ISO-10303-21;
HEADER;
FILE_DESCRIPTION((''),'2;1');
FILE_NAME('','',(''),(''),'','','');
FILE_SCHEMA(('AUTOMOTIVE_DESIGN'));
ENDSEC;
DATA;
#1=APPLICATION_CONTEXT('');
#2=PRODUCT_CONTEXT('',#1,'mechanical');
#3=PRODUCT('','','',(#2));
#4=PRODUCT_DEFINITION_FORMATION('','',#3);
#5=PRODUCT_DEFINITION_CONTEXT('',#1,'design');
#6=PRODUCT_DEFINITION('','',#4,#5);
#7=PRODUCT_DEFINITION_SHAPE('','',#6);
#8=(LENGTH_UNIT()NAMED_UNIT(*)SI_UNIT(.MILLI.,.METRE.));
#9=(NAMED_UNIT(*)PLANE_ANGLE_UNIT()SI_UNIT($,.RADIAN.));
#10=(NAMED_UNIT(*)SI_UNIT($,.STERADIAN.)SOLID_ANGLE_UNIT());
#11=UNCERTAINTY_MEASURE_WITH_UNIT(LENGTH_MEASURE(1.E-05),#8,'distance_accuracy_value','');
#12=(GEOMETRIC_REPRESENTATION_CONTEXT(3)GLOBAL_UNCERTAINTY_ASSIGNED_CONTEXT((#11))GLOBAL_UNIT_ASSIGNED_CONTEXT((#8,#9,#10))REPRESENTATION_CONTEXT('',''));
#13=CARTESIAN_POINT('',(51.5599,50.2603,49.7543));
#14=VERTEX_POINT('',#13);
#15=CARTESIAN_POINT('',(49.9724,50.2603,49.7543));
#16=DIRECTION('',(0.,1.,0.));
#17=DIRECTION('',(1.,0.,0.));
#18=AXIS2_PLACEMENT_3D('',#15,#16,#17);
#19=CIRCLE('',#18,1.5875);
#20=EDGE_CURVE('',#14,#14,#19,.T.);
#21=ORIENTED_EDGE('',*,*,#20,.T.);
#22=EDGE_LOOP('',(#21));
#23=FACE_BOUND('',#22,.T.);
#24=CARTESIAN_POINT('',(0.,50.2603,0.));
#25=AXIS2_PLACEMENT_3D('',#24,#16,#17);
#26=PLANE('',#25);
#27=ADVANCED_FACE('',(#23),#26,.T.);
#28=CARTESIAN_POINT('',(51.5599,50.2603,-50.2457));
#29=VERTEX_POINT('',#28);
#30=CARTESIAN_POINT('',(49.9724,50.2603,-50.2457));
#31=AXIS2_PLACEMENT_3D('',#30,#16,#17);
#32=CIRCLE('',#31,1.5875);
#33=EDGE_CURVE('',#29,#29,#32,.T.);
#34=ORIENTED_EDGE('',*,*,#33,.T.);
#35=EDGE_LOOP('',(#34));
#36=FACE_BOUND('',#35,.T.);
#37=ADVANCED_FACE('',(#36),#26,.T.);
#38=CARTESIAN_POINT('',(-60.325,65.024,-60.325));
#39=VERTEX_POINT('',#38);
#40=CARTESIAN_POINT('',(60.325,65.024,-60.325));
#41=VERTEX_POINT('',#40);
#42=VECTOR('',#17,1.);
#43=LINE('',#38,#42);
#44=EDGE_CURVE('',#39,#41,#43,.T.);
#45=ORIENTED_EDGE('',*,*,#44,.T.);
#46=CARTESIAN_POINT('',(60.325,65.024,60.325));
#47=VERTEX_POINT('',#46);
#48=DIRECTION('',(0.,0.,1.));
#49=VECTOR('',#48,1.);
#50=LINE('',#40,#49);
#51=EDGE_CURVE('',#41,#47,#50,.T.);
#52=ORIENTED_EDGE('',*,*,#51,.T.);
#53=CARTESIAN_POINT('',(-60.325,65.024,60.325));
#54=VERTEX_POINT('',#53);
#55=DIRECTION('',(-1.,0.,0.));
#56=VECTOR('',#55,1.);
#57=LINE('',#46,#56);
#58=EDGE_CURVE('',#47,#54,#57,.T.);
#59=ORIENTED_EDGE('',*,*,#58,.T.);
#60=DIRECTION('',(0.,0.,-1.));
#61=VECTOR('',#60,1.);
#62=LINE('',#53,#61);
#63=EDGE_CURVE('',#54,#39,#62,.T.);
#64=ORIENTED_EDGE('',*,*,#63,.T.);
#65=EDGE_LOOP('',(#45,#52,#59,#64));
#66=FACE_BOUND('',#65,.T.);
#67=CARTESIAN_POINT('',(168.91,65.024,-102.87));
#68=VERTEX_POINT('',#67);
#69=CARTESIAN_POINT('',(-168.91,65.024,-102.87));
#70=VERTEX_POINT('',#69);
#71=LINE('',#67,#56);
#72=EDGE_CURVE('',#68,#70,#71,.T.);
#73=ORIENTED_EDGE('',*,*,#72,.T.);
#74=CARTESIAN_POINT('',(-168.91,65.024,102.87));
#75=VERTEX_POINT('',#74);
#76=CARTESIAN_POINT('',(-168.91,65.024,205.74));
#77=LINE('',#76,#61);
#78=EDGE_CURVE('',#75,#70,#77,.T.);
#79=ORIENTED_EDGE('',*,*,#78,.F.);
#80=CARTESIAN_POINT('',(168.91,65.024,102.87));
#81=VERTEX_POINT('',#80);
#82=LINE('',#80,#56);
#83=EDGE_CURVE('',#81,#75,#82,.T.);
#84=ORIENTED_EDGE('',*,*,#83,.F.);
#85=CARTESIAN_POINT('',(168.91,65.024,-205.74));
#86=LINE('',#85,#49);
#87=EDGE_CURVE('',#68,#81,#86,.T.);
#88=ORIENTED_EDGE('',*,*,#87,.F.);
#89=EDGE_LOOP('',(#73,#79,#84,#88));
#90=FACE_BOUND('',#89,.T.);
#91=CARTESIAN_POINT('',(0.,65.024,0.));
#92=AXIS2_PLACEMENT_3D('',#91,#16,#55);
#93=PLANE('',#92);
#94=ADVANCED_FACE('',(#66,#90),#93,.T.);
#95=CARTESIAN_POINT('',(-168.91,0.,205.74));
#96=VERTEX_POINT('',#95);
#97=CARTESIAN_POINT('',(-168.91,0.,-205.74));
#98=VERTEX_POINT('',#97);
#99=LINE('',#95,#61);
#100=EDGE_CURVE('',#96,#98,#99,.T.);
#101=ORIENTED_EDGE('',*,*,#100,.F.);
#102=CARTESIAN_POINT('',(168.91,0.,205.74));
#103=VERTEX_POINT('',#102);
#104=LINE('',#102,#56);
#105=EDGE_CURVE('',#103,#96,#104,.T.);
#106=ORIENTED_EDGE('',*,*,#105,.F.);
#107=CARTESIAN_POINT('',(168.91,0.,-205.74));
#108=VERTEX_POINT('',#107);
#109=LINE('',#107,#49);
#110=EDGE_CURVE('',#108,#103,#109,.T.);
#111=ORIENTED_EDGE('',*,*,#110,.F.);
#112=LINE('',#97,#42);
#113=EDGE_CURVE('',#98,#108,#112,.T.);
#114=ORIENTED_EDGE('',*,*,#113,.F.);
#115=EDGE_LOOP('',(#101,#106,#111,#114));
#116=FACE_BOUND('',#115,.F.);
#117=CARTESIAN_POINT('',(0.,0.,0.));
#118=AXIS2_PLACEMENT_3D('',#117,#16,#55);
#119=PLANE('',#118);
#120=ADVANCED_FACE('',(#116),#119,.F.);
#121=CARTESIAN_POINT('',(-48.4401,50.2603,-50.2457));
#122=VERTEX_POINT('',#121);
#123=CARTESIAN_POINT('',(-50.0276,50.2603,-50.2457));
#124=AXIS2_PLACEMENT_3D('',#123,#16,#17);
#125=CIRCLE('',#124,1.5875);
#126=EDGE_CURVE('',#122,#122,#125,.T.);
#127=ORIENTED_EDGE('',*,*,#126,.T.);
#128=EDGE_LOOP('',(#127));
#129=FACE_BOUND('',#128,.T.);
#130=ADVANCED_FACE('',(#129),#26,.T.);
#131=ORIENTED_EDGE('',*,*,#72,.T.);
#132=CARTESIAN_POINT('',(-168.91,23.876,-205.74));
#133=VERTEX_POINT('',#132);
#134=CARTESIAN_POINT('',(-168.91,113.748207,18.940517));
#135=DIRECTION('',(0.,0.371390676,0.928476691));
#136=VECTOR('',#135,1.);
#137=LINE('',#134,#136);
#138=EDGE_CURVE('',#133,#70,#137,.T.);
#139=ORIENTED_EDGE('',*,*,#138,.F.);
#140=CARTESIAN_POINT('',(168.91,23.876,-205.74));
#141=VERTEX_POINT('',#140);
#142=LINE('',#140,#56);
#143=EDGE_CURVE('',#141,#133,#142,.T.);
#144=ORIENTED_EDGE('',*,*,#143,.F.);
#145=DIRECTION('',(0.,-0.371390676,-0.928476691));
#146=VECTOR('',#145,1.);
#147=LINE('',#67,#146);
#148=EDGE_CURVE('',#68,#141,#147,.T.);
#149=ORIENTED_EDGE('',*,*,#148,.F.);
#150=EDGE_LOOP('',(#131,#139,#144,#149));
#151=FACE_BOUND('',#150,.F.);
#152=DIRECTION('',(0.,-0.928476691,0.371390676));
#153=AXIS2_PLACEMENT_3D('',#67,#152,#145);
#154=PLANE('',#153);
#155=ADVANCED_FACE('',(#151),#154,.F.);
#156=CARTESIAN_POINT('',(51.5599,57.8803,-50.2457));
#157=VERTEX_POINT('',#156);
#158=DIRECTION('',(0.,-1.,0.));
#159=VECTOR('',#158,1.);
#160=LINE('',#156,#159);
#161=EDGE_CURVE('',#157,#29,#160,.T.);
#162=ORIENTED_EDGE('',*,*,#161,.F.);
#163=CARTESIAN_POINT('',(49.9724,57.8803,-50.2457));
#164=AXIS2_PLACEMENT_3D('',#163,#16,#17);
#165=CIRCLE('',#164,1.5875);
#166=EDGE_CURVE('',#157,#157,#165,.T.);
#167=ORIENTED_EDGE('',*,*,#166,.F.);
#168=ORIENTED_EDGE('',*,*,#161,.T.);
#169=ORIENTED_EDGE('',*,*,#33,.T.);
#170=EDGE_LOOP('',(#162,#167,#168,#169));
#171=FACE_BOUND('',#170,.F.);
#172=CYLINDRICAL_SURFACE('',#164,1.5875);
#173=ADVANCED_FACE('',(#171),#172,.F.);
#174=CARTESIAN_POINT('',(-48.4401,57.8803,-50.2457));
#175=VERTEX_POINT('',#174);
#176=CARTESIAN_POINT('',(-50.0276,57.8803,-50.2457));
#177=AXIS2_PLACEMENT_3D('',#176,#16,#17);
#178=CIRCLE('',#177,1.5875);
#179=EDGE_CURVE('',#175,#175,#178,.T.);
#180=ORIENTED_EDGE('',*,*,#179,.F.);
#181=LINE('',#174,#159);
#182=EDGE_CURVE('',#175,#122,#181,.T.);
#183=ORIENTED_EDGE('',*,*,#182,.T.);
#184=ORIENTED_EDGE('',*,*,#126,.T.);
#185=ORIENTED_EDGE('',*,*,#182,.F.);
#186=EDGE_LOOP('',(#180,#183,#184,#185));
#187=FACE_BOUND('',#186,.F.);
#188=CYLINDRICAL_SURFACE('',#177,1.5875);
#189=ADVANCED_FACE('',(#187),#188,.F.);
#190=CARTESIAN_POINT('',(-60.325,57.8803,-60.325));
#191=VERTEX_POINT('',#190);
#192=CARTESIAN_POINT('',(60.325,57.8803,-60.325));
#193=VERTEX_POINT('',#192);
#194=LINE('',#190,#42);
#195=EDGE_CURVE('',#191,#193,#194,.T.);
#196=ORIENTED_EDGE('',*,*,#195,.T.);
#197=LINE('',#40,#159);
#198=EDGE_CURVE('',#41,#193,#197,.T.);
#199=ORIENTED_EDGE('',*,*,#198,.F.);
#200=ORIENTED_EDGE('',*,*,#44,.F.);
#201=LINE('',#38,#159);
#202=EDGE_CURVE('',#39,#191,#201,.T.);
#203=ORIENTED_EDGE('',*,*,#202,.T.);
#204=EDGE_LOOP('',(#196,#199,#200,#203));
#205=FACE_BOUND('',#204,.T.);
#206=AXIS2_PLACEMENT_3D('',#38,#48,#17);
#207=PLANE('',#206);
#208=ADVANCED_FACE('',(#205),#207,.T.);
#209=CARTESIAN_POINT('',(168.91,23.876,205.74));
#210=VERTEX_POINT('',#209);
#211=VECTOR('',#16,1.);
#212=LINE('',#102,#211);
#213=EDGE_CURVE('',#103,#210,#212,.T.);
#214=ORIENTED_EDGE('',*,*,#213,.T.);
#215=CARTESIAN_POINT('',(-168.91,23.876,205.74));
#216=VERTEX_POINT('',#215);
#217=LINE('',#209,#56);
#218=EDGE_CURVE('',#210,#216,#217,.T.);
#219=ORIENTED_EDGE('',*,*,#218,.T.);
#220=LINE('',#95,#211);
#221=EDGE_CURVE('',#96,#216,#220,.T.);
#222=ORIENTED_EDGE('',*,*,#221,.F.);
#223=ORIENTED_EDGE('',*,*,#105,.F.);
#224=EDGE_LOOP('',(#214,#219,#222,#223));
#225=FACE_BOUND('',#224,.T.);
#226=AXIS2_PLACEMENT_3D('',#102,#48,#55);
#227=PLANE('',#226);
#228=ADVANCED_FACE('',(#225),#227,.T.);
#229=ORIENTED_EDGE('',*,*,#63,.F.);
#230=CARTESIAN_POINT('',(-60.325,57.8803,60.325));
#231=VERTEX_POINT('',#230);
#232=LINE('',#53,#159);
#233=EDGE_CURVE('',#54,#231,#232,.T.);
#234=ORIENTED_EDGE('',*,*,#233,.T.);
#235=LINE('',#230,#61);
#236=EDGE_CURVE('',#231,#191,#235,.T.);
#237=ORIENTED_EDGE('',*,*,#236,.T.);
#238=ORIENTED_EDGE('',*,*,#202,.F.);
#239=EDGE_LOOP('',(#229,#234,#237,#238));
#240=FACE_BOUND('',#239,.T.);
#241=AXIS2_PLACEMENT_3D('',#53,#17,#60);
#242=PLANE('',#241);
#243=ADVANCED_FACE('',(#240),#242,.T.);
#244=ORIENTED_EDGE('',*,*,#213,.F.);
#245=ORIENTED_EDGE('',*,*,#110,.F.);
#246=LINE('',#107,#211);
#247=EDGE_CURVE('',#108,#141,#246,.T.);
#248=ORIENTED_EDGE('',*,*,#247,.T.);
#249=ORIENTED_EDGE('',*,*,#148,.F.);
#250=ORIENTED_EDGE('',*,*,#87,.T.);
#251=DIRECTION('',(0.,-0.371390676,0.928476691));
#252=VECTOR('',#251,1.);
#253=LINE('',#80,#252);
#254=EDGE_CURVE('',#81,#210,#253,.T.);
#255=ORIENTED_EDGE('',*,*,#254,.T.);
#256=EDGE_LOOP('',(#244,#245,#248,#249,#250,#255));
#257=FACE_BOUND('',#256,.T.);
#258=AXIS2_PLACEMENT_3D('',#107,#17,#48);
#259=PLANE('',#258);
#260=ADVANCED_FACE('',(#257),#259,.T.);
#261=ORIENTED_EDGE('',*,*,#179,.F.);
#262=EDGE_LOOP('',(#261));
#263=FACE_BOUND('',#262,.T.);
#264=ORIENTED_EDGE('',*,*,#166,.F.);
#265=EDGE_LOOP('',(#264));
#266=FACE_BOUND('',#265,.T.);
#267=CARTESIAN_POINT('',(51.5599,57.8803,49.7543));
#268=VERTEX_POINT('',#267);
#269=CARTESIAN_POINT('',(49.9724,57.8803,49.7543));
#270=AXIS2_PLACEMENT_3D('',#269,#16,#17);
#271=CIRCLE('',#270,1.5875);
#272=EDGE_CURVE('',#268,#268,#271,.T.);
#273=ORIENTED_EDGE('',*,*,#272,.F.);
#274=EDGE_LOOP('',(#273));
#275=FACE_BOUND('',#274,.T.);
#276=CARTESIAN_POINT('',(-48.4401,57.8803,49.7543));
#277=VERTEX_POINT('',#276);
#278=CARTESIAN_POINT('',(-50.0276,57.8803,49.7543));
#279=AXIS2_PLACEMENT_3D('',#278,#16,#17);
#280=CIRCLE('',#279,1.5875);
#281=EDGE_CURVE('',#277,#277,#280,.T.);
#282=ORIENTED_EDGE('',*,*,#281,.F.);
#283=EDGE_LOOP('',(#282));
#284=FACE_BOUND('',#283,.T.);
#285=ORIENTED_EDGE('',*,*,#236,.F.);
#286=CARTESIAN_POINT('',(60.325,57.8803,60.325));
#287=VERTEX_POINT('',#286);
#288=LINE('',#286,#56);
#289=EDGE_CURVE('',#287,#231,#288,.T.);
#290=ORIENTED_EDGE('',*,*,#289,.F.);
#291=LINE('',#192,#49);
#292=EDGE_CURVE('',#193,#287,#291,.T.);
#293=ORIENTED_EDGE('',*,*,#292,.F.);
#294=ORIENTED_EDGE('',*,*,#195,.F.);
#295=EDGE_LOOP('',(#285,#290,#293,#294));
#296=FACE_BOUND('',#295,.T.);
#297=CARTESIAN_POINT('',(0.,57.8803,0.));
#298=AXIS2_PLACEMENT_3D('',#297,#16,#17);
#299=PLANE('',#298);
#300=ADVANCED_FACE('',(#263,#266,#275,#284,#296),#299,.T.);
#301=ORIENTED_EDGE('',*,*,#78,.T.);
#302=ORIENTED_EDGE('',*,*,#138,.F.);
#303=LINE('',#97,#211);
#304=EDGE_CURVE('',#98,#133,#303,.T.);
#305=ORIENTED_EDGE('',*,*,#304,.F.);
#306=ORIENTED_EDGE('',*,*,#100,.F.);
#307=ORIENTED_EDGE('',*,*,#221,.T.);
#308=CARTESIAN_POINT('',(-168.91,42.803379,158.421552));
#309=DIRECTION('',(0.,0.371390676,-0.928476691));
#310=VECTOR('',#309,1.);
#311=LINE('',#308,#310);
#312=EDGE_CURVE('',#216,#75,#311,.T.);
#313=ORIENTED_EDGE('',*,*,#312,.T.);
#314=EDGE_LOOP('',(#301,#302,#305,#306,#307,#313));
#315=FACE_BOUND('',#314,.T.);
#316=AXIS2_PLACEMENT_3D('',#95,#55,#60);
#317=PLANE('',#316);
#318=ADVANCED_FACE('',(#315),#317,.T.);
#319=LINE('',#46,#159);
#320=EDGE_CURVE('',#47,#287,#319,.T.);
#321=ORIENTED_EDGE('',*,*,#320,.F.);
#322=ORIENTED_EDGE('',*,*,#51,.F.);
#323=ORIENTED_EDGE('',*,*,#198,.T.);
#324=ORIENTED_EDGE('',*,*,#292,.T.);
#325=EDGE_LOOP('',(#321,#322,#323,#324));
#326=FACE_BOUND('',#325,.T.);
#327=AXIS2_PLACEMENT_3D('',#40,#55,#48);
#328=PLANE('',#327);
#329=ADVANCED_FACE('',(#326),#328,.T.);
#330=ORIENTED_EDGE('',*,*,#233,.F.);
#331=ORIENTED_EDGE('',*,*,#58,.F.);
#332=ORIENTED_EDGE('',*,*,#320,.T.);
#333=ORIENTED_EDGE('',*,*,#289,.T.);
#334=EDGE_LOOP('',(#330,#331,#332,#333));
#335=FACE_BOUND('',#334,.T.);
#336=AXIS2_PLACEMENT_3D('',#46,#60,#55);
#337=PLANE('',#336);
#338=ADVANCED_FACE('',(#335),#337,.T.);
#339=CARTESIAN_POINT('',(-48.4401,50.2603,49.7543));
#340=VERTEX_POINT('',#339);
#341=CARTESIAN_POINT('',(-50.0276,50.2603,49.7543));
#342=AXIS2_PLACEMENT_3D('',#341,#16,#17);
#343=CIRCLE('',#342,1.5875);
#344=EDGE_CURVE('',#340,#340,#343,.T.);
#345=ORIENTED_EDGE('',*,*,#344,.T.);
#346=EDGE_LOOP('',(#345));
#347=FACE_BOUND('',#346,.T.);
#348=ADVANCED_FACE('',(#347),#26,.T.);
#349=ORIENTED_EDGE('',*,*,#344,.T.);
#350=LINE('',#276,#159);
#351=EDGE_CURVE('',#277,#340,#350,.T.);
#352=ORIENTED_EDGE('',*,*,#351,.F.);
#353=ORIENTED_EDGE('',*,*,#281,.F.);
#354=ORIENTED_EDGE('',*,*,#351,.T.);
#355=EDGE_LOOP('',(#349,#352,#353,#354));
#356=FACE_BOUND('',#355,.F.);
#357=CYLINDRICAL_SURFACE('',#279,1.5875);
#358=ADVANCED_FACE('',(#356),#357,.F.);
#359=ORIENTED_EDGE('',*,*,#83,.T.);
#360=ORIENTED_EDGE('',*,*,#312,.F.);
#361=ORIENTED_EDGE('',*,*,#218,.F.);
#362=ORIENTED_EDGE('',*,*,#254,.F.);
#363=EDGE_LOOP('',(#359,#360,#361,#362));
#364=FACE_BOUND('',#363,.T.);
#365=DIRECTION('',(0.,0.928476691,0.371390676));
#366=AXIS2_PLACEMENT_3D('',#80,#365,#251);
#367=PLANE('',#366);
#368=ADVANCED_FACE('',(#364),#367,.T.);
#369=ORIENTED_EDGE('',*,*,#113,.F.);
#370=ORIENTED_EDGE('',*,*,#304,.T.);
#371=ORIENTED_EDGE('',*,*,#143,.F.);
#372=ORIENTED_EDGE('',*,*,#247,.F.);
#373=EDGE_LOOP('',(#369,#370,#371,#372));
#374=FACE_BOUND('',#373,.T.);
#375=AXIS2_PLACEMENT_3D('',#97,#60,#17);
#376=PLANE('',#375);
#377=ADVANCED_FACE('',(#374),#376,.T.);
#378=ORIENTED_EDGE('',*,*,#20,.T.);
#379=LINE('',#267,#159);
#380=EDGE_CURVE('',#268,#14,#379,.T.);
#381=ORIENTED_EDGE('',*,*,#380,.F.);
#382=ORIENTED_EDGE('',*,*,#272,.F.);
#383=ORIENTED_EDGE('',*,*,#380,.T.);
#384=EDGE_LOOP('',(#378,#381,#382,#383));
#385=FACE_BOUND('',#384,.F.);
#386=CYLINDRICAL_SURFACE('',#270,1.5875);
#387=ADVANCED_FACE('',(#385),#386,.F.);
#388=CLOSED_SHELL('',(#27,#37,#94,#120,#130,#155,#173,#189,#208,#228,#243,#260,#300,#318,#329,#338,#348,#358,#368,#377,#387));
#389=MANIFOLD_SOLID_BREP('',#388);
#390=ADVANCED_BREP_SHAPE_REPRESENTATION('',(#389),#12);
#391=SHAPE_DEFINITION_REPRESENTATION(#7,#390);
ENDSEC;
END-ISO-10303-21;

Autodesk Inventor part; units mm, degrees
ref_plane "YZ Plane" through (0, 0, 0) normal (1, 0, 0) x (0, 1, 0)
ref_plane "XZ Plane" through (0, 0, 0) normal (0, 1, 0) x (-1, 0, 0)
ref_plane "XY Plane" through (0, 0, 0) normal (0, 0, 1) x (1, 0, 0)
sketch "Sketch1" plane through (0, 0, 0) normal (0, 1, 0) x (-1, 0, 0)
  line L0 (-168.91, 205.74) -> (168.91, 205.74)
  line L1 (168.91, 205.74) -> (168.91, -205.74)
  line L2 (168.91, -205.74) -> (-168.91, -205.74)
  line L3 (-168.91, -205.74) -> (-168.91, 205.74)
  line L4 (-168.91, 205.74) -> (168.91, -205.74) construction
  line L5 (168.91, 205.74) -> (-168.91, -205.74) construction
  point P0 (0, 0)
  dimension "d0" = 411.48
  dimension "d1" = 337.82
extrude "Extrusion1" add sketch "Sketch1" along normal blind 65.024
sketch "Sketch2" plane through (168.91, 0, 205.74) normal (1, 0, 0) x (0, 0, -1)
  line L0 (102.87, 65.024) -> (308.61, 65.024)
  line L1 (411.48, 0) -> (411.48, 23.876)
  line L2 (308.61, 65.024) -> (411.48, 23.876)
  line L3 (411.48, 0) -> (411.48, 65.024) projected
  line L4 (308.61, 65.024) -> (411.48, 65.024)
  line L5 (411.48, 65.024) -> (411.48, 23.876)
  line L6 (102.87, 65.024) -> (0, 23.876)
  line L7 (0, 23.876) -> (0, 65.024)
  line L8 (0, 65.024) -> (102.87, 65.024)
  line L9 (411.48, 0) -> (0, 0) projected
  point P0 (205.74, 0)
  point P1 (205.74, 65.024)
  point P2 (205.74, 65.024)
  dimension "d4" = 205.74
  dimension "d5" = 23.876
  dimension "d6" = 23.876
extrude "Extrusion2" cut sketch "Sketch2" against normal blind 387.2865
sketch "Sketch3" plane through (0, 65.024, 0) normal (0, 1, 0) x (1, 0, 0)
  line L0 (60.325, -60.325) -> (-60.325, -60.325)
  line L1 (-60.325, -60.325) -> (-60.325, 60.325)
  line L2 (-60.325, 60.325) -> (60.325, 60.325)
  line L3 (60.325, 60.325) -> (60.325, -60.325)
  line L4 (60.325, -60.325) -> (-60.325, 60.325) construction
  line L5 (-60.325, -60.325) -> (60.325, 60.325) construction
  point P0 (0, 0)
  dimension "d9" = 120.65
  dimension "d10" = 120.65
extrude "Extrusion3" cut sketch "Sketch3" against normal blind 7.1437
sketch "Sketch4" plane through (0, 57.8803, 0) normal (0, 1, 0) x (1, 0, 0)
  circle A0 centre (-50.0276, 50.2457) radius 1.5875
  circle A1 centre (49.9724, 50.2457) radius 1.5875
  circle A2 centre (49.9724, -49.7543) radius 1.5875
  circle A3 centre (-50.0276, -49.7543) radius 1.5875
  point P0 (0, 0)
  dimension "d13" = 3.175
  dimension "d14" = 3.175
  dimension "d15" = 3.175
  dimension "d16" = 3.175
  dimension "d17" = 100
  dimension "d18" = 100
  dimension "d19" = 100
extrude "Extrusion4" cut sketch "Sketch4" against normal blind 7.62
properties part number "monitor (for assembly)"
